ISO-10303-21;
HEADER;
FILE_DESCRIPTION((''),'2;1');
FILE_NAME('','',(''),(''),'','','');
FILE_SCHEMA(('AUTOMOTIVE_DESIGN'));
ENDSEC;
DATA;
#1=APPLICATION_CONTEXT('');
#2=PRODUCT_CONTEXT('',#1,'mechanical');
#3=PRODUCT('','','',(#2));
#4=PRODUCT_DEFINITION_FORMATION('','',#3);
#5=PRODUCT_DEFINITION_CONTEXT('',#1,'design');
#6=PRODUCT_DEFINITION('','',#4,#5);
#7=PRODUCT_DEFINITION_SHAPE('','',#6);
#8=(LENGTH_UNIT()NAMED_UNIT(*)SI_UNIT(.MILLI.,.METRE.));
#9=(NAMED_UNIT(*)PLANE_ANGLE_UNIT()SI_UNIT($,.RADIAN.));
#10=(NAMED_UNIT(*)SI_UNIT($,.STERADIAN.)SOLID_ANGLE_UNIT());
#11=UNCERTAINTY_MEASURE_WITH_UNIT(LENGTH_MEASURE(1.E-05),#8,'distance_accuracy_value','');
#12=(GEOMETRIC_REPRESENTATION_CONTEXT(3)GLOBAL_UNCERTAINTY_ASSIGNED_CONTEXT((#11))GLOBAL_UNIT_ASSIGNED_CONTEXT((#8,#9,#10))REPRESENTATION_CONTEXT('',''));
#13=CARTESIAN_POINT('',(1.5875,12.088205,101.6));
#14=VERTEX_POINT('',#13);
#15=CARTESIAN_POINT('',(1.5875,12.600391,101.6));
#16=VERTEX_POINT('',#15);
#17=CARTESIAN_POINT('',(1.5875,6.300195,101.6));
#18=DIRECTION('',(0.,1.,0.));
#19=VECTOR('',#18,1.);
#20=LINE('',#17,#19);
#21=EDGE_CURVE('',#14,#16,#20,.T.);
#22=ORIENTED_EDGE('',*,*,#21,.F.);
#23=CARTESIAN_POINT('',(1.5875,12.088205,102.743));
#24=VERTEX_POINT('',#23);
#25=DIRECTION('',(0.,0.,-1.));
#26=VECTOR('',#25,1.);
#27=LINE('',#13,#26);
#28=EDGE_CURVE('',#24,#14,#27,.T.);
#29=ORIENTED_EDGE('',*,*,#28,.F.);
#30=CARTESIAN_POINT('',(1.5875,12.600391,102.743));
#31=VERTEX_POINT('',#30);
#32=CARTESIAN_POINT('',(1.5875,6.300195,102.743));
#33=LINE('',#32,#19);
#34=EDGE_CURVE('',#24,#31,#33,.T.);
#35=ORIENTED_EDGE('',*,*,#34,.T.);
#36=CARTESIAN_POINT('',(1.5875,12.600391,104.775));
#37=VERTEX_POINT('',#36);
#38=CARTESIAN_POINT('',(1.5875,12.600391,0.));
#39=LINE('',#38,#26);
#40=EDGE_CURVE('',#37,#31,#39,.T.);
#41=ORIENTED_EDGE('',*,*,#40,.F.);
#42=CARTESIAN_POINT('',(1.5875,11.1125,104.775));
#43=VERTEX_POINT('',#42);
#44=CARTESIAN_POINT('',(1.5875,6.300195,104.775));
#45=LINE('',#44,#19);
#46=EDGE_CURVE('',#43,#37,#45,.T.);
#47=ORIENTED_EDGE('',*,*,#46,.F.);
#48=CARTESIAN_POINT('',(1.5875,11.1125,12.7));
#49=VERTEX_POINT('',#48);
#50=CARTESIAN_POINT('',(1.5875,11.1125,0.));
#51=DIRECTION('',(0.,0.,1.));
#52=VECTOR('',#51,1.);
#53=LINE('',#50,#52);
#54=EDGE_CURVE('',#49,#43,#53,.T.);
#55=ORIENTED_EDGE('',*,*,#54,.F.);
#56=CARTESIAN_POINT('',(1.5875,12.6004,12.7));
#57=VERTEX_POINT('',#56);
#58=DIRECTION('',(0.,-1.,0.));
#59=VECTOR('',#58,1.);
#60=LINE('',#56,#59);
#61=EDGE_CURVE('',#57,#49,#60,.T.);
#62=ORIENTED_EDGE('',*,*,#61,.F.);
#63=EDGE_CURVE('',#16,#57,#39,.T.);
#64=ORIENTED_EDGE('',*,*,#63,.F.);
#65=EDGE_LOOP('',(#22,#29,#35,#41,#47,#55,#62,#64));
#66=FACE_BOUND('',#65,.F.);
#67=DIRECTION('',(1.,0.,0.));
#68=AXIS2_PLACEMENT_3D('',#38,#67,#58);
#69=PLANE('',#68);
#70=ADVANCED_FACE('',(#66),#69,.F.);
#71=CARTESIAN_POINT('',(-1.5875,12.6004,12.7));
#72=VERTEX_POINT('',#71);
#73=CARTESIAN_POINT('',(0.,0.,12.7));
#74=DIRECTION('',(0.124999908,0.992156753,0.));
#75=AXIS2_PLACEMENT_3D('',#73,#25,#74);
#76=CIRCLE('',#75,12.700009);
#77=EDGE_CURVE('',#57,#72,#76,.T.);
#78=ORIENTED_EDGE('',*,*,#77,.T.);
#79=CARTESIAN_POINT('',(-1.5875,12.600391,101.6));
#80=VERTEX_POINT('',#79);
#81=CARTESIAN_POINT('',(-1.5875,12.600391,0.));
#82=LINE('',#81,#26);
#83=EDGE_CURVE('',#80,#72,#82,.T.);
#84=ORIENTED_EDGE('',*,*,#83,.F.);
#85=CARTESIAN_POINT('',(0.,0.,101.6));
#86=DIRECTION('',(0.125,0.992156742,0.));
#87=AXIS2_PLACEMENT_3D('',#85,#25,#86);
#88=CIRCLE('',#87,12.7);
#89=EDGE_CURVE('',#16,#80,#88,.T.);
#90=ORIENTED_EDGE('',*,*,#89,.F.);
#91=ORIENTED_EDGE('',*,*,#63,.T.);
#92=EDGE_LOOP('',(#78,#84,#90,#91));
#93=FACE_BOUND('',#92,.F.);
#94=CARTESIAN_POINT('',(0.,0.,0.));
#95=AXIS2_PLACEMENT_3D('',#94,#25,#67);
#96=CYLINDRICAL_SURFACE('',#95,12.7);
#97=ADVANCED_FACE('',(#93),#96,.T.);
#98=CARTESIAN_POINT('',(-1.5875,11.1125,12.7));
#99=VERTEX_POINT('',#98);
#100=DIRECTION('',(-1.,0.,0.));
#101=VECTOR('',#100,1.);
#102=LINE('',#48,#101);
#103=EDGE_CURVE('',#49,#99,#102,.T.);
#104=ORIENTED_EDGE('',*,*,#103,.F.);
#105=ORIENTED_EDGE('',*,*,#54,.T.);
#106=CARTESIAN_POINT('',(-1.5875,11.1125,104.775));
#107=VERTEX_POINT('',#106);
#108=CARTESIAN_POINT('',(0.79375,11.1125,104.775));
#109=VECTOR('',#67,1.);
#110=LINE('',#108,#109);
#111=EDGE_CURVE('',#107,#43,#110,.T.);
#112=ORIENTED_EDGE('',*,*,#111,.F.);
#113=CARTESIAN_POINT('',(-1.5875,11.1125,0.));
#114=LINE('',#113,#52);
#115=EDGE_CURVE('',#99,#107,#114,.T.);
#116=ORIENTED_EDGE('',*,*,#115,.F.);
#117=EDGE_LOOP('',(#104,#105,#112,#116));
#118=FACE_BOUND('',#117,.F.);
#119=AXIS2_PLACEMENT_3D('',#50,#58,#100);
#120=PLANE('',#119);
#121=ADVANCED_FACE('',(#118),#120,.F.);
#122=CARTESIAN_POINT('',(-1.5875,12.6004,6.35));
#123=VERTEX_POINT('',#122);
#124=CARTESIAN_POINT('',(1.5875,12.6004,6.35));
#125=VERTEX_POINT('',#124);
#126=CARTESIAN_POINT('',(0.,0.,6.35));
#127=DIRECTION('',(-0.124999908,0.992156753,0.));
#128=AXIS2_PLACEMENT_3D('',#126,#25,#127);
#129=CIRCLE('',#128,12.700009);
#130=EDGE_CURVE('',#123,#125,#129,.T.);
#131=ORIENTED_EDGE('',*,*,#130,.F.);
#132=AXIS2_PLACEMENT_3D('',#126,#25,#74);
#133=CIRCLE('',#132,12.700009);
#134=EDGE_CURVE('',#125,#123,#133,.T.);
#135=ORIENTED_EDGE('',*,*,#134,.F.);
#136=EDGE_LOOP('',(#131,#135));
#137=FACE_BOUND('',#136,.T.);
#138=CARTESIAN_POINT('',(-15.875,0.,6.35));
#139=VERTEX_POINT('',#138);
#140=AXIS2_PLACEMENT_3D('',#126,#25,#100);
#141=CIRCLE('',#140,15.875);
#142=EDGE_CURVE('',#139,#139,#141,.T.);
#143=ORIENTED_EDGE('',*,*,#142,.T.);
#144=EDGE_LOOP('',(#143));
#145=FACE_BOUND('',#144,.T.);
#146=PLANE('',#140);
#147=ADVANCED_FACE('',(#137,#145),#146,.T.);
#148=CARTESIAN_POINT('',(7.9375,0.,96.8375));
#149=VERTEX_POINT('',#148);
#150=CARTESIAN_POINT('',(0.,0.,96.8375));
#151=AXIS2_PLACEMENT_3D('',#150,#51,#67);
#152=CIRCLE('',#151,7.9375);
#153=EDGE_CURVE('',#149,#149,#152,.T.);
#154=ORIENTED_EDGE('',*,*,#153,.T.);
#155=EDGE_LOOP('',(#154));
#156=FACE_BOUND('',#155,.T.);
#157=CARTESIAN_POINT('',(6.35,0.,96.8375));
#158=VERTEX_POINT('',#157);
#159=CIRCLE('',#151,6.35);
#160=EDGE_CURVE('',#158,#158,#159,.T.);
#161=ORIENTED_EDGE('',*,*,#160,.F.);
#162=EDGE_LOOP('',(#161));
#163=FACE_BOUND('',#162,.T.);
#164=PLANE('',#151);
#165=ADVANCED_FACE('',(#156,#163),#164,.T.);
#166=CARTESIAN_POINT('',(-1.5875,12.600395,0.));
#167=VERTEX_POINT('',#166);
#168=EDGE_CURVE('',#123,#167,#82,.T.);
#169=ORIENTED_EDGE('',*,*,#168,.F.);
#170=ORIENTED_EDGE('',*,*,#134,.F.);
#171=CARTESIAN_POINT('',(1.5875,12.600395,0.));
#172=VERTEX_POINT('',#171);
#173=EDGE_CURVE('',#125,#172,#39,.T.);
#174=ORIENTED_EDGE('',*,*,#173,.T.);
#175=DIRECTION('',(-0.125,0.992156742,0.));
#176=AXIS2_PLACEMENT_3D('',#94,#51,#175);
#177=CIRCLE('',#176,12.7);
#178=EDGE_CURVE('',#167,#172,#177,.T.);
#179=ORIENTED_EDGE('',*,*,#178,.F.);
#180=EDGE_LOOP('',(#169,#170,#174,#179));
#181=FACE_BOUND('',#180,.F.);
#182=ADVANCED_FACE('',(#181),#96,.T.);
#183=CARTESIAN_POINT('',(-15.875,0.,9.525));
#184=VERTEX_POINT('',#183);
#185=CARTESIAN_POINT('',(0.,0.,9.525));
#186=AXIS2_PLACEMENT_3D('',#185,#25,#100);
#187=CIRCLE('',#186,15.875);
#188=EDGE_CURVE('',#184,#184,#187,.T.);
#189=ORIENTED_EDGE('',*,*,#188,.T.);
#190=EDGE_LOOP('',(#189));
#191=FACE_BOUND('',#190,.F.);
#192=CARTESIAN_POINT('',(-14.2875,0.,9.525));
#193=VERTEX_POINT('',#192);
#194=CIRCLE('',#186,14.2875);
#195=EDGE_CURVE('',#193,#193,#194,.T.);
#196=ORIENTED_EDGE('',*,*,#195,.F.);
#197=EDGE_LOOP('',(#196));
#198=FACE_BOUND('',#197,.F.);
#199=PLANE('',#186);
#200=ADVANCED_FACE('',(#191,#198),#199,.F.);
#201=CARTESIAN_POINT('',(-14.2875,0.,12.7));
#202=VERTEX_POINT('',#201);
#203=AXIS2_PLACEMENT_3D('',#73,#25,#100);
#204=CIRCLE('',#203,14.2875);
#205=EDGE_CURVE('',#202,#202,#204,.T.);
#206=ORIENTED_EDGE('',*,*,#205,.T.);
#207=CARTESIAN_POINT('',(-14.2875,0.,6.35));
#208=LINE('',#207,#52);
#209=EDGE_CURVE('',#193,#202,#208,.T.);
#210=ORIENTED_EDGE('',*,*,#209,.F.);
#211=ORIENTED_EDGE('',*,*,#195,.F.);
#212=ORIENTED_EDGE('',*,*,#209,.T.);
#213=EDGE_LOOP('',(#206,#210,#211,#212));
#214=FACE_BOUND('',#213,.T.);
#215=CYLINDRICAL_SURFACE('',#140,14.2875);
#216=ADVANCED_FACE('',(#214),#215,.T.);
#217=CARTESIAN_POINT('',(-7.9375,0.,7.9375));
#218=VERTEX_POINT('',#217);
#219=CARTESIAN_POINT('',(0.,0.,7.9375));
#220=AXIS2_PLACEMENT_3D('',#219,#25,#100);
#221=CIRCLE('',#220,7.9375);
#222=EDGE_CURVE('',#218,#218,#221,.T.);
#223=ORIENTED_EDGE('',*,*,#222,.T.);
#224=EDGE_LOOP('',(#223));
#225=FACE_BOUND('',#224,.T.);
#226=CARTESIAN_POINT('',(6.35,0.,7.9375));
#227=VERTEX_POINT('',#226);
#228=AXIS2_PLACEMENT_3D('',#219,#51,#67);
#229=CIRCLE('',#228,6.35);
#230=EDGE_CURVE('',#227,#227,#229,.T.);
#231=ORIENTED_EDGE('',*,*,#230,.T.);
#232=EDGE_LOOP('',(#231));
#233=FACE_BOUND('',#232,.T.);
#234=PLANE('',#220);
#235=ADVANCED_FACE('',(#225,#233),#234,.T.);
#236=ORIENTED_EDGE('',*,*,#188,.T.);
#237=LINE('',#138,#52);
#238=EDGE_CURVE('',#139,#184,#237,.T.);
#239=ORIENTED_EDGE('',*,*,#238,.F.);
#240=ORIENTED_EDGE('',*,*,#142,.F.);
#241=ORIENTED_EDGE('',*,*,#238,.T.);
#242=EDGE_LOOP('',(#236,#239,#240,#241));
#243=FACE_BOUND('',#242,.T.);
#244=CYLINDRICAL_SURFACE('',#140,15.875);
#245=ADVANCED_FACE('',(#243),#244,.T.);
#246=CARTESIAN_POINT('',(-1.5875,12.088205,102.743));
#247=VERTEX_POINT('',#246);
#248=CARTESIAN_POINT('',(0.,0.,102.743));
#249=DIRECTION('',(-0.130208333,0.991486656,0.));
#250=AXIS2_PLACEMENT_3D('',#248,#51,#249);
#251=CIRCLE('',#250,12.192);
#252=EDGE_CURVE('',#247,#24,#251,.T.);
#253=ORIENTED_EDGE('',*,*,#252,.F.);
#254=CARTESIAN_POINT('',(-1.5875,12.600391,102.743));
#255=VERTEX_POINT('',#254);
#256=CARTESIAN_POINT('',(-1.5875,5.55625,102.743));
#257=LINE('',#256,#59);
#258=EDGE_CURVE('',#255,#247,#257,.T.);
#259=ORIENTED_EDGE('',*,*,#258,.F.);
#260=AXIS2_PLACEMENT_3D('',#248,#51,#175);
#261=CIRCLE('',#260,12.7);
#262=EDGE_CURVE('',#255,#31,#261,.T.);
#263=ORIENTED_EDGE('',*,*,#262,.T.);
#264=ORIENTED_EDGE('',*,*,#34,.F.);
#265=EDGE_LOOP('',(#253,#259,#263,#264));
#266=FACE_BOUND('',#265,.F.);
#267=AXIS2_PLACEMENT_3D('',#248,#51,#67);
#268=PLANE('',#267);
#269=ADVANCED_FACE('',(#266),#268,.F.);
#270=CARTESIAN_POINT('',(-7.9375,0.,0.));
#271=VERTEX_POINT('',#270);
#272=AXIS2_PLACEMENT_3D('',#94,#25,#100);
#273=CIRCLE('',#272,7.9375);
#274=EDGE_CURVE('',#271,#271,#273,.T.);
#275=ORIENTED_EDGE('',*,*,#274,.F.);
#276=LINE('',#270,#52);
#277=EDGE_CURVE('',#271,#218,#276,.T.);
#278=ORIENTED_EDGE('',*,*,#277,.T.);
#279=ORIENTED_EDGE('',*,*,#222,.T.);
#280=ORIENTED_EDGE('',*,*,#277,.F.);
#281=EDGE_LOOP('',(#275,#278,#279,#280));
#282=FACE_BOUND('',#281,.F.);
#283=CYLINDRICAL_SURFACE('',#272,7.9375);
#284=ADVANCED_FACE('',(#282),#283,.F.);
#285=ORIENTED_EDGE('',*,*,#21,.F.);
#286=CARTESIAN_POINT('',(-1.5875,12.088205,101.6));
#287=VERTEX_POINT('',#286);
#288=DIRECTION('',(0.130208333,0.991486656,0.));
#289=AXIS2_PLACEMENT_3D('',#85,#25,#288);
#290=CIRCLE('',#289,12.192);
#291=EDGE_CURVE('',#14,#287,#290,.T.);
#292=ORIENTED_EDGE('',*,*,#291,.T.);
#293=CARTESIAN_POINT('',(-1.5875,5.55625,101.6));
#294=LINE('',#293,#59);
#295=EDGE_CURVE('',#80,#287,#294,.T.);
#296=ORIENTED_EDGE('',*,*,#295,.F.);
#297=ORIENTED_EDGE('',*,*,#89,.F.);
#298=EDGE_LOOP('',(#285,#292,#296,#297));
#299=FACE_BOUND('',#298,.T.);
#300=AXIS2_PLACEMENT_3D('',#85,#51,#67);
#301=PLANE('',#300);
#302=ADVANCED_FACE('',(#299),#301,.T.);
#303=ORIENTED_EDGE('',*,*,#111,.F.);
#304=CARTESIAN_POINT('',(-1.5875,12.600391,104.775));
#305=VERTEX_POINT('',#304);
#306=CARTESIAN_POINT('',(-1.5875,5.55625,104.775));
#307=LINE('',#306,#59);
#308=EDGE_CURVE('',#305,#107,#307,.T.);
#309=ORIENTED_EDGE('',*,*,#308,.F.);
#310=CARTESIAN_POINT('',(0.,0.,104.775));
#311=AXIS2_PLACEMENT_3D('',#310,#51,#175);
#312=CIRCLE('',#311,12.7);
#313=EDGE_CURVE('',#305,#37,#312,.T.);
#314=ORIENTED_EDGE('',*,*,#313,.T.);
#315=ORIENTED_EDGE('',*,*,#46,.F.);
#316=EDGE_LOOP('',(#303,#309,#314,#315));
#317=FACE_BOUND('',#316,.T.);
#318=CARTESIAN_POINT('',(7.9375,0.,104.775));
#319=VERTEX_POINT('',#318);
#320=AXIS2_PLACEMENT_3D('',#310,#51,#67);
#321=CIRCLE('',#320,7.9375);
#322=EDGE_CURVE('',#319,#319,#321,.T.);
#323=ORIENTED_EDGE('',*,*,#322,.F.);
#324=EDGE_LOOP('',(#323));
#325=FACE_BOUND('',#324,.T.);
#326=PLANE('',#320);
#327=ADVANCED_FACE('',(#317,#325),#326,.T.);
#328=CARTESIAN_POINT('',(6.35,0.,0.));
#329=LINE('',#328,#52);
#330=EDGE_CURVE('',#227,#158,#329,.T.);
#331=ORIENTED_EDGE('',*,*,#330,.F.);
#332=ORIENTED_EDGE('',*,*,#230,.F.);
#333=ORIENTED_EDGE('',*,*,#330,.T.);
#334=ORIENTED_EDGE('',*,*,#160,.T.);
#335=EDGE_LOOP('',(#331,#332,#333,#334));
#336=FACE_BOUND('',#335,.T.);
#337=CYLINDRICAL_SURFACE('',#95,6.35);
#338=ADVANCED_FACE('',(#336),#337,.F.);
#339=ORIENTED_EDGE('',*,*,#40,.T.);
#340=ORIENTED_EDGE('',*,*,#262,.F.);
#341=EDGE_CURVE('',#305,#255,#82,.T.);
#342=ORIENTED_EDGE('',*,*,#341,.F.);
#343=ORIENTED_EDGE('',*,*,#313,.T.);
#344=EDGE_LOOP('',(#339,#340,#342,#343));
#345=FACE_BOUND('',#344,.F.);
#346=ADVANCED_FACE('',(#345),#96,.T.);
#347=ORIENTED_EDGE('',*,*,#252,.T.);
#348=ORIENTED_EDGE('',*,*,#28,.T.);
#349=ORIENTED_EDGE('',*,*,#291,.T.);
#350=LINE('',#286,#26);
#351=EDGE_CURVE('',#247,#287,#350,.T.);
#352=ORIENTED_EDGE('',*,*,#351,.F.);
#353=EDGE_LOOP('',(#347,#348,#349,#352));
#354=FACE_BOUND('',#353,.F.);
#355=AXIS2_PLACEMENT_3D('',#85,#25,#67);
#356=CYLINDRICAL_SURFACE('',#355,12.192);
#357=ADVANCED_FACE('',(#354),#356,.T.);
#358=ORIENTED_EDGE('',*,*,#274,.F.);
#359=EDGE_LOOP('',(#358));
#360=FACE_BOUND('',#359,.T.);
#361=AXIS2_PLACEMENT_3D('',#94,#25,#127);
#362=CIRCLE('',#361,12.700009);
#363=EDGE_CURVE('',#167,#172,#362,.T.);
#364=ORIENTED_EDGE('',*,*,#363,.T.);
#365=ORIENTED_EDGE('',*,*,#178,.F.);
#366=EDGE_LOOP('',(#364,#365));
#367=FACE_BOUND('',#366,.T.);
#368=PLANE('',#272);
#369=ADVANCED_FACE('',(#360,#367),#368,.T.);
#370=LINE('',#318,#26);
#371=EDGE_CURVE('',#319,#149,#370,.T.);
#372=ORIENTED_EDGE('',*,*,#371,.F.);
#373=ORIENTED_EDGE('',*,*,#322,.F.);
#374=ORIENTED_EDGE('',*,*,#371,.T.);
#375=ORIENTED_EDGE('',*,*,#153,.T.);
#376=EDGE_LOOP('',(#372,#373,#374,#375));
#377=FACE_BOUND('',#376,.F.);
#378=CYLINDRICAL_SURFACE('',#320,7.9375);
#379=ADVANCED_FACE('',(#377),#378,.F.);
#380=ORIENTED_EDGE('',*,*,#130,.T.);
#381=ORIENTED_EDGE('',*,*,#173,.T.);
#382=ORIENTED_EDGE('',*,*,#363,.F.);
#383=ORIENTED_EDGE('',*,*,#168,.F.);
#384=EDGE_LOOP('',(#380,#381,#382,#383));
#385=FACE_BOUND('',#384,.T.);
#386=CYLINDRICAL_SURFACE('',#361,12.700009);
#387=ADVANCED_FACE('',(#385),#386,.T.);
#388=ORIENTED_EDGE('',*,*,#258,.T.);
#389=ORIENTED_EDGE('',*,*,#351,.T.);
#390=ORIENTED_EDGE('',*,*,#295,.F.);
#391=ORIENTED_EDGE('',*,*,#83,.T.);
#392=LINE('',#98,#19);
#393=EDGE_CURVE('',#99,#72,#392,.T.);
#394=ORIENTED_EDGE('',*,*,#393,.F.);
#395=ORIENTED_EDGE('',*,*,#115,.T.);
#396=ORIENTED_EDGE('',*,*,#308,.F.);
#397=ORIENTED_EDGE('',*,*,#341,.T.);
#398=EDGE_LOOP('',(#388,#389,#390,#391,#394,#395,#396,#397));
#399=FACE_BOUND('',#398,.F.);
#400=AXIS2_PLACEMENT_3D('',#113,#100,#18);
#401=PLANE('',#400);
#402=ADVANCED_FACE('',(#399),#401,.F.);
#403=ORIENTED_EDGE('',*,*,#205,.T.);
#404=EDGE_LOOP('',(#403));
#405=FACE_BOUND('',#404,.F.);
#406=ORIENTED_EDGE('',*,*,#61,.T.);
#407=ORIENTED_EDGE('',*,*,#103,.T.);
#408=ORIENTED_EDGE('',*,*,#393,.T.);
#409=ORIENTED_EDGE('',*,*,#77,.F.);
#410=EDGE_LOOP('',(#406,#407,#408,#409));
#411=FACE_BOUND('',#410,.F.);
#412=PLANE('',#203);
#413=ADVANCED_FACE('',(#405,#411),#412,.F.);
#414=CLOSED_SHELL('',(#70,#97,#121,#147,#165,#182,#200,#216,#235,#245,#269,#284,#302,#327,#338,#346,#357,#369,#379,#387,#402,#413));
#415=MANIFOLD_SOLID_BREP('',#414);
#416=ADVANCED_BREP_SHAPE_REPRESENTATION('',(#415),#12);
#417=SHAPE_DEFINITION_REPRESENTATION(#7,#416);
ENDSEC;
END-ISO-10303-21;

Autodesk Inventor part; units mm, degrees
sketch "Sketch1" plane through (0, 0, 0) normal (0, 0, 1) x (1, 0, 0)
  circle A0 centre (0, 0) radius 12.7
  circle A1 centre (0, 0) radius 6.35
  line L0 (-1.5875, 14.2875) -> (1.5875, 14.2875)
  line L1 (1.5875, 14.2875) -> (1.5875, 11.1125)
  line L2 (1.5875, 11.1125) -> (-1.5875, 11.1125)
  line L3 (-1.5875, 11.1125) -> (-1.5875, 14.2875)
  dimension "d0" = 25.4
  dimension "d4" = 12.7
  dimension "d50" = 3.175
  dimension "d51" = 3.175
  dimension "d52" = 1.5875
  dimension "d53" = 14.2875
extrude "Extrusion4" add sketch "Sketch1" along normal blind 104.775 contours A0 L3 L2 L1 | L1 L2 L3 A0
ref_plane "Work Plane5" through (0, 0, 101.6) normal (0, 0, 1) x (1, 0, 0)
sketch "Sketch6" plane through (0, 0, 101.6) normal (0, 0, 1) x (1, 0, 0)
  circle A0 centre (0, 0) radius 12.192
  circle A1 centre (0, 0) radius 12.7 projected
  dimension "d24" = 24.384
extrude "Extrusion8" cut sketch "Sketch6" along normal blind 1.143
ref_plane "Work Plane6" through (0, 0, 15.113) normal (0, 0, -1) x (-1, 0, 0)
ref_plane "Work Plane9" through (0, 0, 43.3324) normal (0, 0, -1) x (-1, 0, 0)
ref_plane "Work Plane10" through (0, 0, 29.464) normal (0, 0, -1) x (-1, 0, 0)
extrude "Extrusion16" cut sketch "Sketch1" along normal through all contours L1 L2 L3 A0 | A0 L3 L0 L1 picked at (0.1768, 11.638)
sketch "Sketch14" plane through (0, 0, 104.775) normal (0, 0, 1) x (1, 0, 0)
  circle A0 centre (0, 0) radius 6.35 projected
  circle A1 centre (0, 0) radius 7.9375
  dimension "d56" = 15.875
extrude "Extrusion17" cut sketch "Sketch14" against normal blind 7.9375
sketch "Sketch15" plane through (0, 0, 0) normal (0, 0, -1) x (-1, 0, 0)
  circle A0 centre (0, 0) radius 6.35 projected
  circle A1 centre (0, 0) radius 7.9375
  dimension "d59" = 15.875
extrude "Extrusion18" cut sketch "Sketch15" against normal blind 7.9375
ref_plane "Work Plane13" through (0, 0, 6.35) normal (0, 0, -1) x (-1, 0, 0)
sketch "Sketch16" plane through (0, 0, 6.35) normal (0, 0, -1) x (-1, 0, 0)
  arc A0 (-1.5875, 12.6004) -> (1.5875, 12.6004) centre (0, 0) ccw projected
  line L0 (-1.5875, 12.6004) -> (-1.5875, 11.1125) projected
  line L1 (-1.5875, 11.1125) -> (1.5875, 11.1125) projected
  line L2 (1.5875, 11.1125) -> (1.5875, 12.6004) projected
  circle A1 centre (0, 0) radius 15.875
  circle A2 centre (0, 0) radius 14.2875
  dimension "d63" = 31.75
  dimension "d68" = 28.575
extrude "Extrusion19" add sketch "Sketch16" against normal blind 3.175 contours A1 | A2
sketch "Sketch17" plane through (0, 0, 0) normal (0, 0, -1) x (-1, 0, 0)
  line L0 (-1.5875, 11.1125) -> (-1.5875, 12.6004) projected
  arc A0 (-1.5875, 12.6004) -> (1.5875, 12.6004) centre (0, 0) ccw projected
  line L1 (1.5875, 12.6004) -> (1.5875, 11.1125) projected
  line L2 (1.5875, 11.1125) -> (-1.5875, 11.1125) projected
  arc A1 (1.5875, 12.6004) -> (-1.5875, 12.6004) centre (0, 0) ccw
extrude "Extrusion20" add sketch "Sketch17" against normal blind 6.35 contours L0 A1 L1 L2
extrude "Extrusion21" add sketch "Sketch16" against normal blind 6.35 contours A2
equation "\"d51\" = d50"
equation "\"d52\" = 0.5 * d50"
equation "\"d53\" = 0.5 * d0 + 0.5 * d50"
properties part number "turn shaft 2"
